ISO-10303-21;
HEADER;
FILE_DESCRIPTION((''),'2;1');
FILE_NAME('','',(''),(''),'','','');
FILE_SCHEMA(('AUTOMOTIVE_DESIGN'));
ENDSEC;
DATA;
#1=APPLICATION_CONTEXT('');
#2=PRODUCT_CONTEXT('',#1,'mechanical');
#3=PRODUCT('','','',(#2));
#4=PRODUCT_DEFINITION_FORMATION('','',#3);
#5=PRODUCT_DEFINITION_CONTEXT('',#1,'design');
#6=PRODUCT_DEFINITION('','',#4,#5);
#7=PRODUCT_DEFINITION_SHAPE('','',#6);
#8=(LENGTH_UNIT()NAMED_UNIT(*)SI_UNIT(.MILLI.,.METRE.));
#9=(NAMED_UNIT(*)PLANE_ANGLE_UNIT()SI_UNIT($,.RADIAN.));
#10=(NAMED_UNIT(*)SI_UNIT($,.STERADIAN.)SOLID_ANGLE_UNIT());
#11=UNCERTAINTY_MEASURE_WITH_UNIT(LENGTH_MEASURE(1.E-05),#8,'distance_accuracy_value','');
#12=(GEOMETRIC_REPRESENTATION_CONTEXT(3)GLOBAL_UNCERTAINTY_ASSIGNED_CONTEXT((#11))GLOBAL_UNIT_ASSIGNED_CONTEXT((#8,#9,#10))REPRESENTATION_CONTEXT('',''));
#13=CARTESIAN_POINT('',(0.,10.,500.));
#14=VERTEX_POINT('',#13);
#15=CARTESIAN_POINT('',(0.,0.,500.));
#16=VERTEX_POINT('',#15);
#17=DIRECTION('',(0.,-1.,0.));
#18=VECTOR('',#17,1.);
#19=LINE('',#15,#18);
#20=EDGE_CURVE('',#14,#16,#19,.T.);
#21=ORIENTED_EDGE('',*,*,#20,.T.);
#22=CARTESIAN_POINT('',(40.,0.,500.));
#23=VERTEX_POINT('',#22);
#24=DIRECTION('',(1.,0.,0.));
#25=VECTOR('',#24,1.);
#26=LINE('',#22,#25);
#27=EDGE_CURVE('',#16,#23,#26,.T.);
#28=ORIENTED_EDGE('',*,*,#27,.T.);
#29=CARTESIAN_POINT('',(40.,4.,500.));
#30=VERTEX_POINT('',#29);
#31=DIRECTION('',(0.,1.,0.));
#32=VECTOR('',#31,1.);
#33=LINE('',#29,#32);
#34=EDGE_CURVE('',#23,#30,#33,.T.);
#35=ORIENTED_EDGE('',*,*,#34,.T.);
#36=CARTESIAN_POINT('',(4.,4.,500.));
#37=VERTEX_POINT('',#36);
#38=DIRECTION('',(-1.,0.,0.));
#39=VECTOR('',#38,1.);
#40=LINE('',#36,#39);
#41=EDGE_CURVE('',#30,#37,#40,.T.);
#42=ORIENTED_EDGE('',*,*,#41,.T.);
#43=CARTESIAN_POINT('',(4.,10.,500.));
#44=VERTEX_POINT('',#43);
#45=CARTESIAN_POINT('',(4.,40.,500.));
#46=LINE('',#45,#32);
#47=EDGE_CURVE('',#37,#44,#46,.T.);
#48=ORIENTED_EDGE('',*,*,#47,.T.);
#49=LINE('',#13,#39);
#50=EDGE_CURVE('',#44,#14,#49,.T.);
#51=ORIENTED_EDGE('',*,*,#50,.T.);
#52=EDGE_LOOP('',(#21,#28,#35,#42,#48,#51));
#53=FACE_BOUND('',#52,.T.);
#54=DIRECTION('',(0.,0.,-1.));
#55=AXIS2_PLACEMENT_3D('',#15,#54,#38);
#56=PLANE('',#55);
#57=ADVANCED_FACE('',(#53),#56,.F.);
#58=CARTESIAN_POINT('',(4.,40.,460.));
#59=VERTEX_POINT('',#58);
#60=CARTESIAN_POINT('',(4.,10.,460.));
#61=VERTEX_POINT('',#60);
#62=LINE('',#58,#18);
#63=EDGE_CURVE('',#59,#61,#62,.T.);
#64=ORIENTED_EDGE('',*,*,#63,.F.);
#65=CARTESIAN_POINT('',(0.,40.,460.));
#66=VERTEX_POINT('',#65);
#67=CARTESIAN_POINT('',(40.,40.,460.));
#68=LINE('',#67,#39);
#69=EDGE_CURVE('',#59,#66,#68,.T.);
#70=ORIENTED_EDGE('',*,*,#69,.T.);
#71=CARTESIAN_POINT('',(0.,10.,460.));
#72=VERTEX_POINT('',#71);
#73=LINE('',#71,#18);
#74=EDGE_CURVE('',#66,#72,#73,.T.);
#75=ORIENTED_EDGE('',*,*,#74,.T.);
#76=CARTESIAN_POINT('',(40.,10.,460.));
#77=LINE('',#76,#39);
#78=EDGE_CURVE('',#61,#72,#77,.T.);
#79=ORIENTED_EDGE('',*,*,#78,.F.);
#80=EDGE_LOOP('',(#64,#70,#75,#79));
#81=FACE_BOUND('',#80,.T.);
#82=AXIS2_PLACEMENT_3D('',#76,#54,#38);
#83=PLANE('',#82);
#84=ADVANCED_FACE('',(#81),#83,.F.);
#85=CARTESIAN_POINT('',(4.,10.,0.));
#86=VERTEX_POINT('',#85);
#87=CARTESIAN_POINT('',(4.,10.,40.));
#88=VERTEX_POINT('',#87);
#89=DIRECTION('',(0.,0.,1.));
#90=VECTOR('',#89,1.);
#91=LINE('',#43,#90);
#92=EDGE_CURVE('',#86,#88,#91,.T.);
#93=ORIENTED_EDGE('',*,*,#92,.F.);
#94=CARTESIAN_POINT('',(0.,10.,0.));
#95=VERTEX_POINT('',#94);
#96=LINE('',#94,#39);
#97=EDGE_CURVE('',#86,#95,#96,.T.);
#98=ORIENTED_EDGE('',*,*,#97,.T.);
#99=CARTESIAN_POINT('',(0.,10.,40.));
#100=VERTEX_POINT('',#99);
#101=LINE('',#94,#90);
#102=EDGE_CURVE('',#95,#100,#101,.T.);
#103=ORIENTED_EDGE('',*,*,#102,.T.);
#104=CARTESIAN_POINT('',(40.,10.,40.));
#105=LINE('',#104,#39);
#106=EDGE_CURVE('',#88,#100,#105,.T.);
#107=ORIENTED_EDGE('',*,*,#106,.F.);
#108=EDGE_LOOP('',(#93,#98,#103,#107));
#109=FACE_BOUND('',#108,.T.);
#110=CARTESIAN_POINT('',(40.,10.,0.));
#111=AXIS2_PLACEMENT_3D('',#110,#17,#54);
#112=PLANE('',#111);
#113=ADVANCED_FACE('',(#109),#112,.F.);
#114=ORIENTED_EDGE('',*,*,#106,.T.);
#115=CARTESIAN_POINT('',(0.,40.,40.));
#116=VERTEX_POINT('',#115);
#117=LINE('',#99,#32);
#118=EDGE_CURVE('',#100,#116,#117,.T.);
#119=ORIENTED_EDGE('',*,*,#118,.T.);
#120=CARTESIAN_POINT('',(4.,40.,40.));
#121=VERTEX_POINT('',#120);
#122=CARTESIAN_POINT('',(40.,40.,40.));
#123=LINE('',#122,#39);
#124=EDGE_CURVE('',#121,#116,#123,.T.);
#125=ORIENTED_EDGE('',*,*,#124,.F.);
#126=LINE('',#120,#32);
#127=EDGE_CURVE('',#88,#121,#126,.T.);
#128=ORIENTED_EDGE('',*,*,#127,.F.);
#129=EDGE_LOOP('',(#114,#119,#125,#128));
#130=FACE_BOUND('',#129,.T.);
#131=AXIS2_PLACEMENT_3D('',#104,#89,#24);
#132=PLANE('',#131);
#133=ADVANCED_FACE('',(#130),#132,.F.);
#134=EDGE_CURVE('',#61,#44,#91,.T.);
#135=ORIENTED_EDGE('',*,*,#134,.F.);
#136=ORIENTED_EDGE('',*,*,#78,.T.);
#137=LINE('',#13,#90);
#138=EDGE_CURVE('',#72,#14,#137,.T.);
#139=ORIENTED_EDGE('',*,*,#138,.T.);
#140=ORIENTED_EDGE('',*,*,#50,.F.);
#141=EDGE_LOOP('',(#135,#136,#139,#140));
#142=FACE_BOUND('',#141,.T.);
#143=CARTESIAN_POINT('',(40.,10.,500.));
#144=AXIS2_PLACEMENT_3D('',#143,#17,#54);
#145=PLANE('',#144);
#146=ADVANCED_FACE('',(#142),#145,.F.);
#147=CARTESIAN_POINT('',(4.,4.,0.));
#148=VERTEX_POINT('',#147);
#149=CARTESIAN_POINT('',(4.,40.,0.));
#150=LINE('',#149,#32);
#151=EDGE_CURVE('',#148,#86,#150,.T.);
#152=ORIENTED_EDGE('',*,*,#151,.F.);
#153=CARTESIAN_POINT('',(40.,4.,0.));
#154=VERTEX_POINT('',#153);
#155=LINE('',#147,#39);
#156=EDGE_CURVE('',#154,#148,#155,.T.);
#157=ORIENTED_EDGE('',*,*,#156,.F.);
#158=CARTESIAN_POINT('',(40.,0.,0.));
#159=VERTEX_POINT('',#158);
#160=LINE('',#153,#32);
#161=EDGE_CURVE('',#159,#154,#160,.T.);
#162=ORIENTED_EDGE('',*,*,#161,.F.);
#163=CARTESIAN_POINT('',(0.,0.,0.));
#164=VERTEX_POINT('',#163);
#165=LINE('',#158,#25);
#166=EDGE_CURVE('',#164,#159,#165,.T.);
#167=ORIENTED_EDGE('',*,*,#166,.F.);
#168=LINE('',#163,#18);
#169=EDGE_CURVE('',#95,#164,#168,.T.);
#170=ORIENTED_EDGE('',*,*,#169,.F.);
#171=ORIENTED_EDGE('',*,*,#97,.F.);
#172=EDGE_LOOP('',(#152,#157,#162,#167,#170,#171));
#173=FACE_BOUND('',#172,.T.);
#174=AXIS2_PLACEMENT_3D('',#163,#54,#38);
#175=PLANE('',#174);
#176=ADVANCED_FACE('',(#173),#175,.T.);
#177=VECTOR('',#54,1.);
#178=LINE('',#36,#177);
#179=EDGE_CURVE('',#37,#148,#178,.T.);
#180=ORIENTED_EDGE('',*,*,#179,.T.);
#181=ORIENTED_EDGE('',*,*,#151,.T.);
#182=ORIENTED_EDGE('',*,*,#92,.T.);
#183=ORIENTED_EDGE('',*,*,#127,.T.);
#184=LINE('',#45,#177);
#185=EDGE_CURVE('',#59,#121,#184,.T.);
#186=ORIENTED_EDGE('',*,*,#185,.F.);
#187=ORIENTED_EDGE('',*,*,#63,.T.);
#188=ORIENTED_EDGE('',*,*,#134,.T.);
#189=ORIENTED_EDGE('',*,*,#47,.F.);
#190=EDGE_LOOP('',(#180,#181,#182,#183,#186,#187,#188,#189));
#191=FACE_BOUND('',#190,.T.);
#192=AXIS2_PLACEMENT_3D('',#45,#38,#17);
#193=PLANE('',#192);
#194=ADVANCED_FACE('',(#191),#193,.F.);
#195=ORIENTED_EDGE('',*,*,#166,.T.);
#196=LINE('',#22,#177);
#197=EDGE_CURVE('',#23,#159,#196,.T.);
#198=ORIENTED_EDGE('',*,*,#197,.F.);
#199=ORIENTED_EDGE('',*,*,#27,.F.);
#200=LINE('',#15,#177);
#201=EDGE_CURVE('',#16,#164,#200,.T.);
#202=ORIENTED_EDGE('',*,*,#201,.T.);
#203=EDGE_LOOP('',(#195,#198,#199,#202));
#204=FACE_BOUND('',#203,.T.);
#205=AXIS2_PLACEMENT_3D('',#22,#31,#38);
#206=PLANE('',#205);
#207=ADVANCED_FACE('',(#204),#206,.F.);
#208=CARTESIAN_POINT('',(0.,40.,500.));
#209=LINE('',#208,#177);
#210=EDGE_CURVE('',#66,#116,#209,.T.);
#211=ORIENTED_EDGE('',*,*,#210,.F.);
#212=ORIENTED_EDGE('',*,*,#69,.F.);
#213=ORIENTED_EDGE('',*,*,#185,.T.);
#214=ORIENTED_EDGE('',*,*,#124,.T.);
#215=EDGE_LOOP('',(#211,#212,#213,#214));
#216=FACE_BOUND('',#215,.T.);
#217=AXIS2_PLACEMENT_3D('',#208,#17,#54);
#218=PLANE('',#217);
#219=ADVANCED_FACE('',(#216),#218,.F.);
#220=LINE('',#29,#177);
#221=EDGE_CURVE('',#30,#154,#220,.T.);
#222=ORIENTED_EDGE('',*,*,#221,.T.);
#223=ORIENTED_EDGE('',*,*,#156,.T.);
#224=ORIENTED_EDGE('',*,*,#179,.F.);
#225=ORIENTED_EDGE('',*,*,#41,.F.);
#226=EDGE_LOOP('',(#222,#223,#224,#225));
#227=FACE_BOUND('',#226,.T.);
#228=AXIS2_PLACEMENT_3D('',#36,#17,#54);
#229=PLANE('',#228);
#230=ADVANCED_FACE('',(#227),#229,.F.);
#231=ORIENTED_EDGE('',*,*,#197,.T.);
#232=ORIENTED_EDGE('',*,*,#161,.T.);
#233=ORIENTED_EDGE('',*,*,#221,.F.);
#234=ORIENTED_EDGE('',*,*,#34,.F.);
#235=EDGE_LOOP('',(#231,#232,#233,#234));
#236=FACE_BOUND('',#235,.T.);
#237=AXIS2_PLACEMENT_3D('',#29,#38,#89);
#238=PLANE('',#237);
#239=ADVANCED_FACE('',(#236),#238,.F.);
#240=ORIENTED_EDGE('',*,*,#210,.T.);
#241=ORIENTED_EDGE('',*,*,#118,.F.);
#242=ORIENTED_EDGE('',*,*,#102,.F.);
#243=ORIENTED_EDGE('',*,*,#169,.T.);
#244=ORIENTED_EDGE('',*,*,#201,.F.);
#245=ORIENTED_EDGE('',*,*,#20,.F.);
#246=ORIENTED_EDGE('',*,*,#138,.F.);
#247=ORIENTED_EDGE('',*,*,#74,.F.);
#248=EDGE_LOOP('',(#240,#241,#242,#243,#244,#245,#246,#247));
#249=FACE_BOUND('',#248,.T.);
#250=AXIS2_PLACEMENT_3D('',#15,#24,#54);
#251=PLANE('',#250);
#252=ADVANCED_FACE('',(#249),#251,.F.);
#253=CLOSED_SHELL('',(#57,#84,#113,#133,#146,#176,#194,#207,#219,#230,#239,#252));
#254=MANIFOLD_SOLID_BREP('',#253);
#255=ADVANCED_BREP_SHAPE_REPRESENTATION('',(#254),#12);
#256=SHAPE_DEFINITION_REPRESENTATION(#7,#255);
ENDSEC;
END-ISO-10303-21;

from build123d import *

# Parameters (mm, degrees)
EXTRUDE_1_DEPTH     = 500
SKETCH_2_W          = 40
SKETCH_2_H          = 30
CUT_EXTRUDE_1_DEPTH = 504.189825016
SKETCH_3_W          = 40
SKETCH_3_H          = 30
CUT_EXTRUDE_2_DEPTH = 504.189825016


with BuildPart() as part:
    # Эскиз1 → Бобышка-Вытянуть1 (new body)
    with BuildSketch(Plane.XY):
        Polygon((0, 0), (0, 40), (4, 40), (4, 4), (40, 4), (40, 0), align=None)
    extrude(amount=EXTRUDE_1_DEPTH)

    # Эскиз2 → Вырез-Вытянуть1 (cut, through all)
    with BuildSketch(Plane.ZY):
        with Locations((20, 25)):
            Rectangle(SKETCH_2_W, SKETCH_2_H)
    extrude(amount=-CUT_EXTRUDE_1_DEPTH, mode=Mode.SUBTRACT)

    # Эскиз3 → Вырез-Вытянуть2 (cut, through all)
    with BuildSketch(Plane.ZY):
        with Locations((480, 25)):
            Rectangle(SKETCH_3_W, SKETCH_3_H)
    extrude(amount=-CUT_EXTRUDE_2_DEPTH, mode=Mode.SUBTRACT)


solid = part.part
